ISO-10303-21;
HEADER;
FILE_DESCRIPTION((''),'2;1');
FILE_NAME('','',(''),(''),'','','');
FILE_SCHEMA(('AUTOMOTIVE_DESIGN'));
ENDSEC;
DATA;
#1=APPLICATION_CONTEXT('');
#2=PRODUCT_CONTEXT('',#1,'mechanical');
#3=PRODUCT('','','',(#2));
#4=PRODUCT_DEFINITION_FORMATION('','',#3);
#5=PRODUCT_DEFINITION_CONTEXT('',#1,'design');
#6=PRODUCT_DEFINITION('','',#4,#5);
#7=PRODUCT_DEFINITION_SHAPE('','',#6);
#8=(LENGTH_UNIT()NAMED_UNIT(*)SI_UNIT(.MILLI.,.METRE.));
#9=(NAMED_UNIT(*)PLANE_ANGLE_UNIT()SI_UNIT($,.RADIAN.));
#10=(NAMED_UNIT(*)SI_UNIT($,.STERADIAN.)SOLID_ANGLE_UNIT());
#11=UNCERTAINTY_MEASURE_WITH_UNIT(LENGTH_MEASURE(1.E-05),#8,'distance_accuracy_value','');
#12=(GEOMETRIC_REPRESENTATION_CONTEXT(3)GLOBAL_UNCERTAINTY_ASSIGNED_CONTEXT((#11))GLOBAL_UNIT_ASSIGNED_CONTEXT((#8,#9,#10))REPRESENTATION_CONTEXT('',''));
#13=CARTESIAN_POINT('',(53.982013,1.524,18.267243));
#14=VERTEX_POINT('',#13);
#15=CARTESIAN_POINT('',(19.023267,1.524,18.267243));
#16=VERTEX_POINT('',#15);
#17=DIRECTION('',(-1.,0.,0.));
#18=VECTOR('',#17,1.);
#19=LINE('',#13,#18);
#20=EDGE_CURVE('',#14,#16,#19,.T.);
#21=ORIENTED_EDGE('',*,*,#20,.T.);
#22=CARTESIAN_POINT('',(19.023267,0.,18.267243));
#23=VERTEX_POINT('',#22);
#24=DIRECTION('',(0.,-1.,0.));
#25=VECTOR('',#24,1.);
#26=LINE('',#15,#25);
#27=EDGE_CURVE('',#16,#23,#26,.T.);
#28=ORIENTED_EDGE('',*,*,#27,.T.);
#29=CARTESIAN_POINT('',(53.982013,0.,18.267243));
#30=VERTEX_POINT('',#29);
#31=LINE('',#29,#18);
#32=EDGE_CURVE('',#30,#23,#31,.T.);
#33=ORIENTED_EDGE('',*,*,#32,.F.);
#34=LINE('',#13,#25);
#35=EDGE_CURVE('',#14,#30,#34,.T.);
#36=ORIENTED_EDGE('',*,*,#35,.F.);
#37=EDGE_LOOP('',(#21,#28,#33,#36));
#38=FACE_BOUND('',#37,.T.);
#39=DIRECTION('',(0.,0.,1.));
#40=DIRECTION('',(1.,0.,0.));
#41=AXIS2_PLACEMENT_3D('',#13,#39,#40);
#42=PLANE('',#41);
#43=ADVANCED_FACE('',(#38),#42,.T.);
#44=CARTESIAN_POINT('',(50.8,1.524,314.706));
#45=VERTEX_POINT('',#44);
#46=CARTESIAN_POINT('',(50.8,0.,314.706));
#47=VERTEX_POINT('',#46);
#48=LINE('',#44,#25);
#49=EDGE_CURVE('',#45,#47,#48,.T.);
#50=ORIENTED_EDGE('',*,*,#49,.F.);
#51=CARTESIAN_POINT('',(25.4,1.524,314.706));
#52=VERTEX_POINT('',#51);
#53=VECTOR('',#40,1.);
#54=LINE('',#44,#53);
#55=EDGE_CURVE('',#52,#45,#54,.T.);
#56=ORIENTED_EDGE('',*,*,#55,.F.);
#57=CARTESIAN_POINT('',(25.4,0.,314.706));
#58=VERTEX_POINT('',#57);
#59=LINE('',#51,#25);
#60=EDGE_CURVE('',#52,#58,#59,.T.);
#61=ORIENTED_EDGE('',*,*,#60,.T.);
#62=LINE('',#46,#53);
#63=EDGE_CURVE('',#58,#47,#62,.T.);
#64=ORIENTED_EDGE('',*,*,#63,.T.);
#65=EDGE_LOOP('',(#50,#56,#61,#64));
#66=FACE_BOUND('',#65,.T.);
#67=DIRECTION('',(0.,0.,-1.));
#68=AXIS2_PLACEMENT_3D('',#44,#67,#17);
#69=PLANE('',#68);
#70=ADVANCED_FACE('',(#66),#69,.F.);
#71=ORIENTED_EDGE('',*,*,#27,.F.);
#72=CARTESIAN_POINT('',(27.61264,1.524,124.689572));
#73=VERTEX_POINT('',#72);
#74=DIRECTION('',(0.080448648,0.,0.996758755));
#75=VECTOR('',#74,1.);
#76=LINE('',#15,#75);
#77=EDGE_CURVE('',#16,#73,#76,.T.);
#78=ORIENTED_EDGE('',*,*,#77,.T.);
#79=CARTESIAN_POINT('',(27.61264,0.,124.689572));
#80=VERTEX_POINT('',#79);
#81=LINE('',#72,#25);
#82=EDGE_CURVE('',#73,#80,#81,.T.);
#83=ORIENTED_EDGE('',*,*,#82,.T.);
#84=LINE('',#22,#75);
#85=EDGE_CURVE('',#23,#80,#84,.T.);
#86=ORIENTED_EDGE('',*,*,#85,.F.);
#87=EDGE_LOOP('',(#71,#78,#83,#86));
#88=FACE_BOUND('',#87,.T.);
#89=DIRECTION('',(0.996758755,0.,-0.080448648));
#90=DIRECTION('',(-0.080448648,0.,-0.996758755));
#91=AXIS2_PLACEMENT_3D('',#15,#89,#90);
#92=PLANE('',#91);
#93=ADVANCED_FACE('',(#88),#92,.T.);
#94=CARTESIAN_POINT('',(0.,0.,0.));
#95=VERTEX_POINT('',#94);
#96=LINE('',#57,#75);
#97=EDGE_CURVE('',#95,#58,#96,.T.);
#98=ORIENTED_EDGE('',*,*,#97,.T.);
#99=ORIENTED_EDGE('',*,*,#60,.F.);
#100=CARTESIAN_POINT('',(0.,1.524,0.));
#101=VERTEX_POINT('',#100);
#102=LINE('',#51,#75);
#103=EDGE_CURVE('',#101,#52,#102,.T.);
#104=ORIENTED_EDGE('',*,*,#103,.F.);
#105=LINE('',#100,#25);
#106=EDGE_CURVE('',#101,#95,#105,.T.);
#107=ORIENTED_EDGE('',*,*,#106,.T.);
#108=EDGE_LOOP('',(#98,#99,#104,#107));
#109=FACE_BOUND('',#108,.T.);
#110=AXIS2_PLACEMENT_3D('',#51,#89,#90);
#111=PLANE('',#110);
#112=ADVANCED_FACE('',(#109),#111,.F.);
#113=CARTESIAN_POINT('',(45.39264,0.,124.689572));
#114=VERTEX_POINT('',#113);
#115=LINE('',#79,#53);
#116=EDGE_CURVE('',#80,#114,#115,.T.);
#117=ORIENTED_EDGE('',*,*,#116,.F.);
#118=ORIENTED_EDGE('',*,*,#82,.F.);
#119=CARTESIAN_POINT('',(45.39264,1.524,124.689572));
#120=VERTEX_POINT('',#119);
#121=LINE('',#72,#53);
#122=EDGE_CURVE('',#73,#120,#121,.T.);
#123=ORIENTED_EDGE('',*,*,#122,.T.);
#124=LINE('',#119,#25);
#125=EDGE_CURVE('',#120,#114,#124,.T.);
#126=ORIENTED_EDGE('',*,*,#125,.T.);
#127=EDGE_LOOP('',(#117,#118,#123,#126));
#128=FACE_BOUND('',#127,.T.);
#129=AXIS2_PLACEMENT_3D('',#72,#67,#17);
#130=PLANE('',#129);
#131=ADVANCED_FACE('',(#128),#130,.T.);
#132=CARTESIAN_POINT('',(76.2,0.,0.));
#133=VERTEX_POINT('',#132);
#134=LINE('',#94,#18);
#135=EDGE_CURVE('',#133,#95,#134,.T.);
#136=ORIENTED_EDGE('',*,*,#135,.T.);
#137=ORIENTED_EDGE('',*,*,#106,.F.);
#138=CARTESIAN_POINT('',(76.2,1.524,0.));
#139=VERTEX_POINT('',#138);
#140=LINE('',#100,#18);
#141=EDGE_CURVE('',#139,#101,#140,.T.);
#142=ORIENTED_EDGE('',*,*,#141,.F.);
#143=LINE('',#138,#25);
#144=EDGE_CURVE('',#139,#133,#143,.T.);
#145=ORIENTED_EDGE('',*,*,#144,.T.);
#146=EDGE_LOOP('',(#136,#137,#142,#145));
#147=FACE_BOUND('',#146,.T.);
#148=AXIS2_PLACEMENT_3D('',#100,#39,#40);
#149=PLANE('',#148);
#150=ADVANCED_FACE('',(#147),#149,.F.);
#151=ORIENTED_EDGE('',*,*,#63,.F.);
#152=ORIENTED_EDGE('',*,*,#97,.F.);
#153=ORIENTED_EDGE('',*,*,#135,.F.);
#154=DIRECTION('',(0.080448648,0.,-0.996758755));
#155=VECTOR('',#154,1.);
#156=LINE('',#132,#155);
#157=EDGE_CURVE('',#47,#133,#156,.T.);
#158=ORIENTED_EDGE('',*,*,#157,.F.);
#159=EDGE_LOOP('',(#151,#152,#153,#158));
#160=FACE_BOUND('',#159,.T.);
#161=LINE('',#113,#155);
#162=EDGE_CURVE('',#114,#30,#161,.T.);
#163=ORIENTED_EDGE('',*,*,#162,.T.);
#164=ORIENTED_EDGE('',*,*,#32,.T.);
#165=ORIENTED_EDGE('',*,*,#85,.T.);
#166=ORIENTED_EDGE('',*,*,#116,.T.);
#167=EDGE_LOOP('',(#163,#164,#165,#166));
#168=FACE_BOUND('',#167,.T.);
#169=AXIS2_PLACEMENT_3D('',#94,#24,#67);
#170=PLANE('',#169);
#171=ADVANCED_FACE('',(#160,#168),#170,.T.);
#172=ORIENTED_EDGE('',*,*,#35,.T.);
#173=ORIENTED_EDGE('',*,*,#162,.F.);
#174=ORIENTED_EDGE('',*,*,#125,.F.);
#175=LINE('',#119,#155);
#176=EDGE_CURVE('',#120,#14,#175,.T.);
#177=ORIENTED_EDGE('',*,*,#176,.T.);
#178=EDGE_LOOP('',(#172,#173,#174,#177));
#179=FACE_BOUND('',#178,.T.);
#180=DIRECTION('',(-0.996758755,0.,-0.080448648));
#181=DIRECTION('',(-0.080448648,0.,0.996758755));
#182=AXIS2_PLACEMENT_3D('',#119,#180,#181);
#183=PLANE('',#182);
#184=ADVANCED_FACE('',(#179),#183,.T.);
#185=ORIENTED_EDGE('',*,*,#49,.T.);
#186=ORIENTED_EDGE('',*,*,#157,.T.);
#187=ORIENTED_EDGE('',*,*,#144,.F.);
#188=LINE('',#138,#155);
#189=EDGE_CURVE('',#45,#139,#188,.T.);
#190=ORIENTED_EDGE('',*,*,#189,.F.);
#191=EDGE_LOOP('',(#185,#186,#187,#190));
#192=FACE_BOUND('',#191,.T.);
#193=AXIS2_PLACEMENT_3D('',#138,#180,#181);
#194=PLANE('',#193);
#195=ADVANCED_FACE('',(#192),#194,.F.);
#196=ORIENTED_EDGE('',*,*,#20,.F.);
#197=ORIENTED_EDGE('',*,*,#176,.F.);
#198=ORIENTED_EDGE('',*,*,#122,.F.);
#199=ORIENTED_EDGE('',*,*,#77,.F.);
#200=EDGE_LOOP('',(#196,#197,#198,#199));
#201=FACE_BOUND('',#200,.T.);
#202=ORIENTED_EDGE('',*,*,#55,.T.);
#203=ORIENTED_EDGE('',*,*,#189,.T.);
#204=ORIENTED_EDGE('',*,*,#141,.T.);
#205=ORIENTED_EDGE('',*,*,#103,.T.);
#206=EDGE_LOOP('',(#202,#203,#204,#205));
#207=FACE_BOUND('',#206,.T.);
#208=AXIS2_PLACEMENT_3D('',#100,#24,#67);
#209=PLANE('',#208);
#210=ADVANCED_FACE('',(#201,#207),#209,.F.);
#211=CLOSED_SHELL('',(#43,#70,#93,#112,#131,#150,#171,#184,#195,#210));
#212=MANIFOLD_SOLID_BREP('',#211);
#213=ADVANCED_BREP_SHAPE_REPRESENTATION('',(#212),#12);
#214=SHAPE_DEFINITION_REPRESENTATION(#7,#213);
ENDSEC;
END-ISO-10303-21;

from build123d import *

# Parameters (mm, degrees)
BOSS_EXTRUDE1_DEPTH = 1.524
CUT_EXTRUDE1_DEPTH  = 1.524


with BuildPart() as part:
    # Sketch1 → Boss-Extrude1 (new body)
    with BuildSketch(Plane(origin=(0, 0, 0), x_dir=(1, 0, 0), z_dir=(0, 1, 0))):
        Polygon((0, 0), (76.2, 0), (50.8, -314.706), (25.4, -314.706), align=None)
    extrude(amount=BOSS_EXTRUDE1_DEPTH)

    # Sketch4 → Cut-Extrude1 (cut)
    with BuildSketch(Plane(origin=(0, 0, 0), x_dir=(-1, 0, 0), z_dir=(0, -1, 0))):
        Polygon((-27.61263984, -124.689571655), (-45.39263984, -124.689571655), (-53.982012586, -18.267243325), (-19.023267093, -18.267243325), align=None)
    extrude(amount=-CUT_EXTRUDE1_DEPTH, mode=Mode.SUBTRACT)


solid = part.part
